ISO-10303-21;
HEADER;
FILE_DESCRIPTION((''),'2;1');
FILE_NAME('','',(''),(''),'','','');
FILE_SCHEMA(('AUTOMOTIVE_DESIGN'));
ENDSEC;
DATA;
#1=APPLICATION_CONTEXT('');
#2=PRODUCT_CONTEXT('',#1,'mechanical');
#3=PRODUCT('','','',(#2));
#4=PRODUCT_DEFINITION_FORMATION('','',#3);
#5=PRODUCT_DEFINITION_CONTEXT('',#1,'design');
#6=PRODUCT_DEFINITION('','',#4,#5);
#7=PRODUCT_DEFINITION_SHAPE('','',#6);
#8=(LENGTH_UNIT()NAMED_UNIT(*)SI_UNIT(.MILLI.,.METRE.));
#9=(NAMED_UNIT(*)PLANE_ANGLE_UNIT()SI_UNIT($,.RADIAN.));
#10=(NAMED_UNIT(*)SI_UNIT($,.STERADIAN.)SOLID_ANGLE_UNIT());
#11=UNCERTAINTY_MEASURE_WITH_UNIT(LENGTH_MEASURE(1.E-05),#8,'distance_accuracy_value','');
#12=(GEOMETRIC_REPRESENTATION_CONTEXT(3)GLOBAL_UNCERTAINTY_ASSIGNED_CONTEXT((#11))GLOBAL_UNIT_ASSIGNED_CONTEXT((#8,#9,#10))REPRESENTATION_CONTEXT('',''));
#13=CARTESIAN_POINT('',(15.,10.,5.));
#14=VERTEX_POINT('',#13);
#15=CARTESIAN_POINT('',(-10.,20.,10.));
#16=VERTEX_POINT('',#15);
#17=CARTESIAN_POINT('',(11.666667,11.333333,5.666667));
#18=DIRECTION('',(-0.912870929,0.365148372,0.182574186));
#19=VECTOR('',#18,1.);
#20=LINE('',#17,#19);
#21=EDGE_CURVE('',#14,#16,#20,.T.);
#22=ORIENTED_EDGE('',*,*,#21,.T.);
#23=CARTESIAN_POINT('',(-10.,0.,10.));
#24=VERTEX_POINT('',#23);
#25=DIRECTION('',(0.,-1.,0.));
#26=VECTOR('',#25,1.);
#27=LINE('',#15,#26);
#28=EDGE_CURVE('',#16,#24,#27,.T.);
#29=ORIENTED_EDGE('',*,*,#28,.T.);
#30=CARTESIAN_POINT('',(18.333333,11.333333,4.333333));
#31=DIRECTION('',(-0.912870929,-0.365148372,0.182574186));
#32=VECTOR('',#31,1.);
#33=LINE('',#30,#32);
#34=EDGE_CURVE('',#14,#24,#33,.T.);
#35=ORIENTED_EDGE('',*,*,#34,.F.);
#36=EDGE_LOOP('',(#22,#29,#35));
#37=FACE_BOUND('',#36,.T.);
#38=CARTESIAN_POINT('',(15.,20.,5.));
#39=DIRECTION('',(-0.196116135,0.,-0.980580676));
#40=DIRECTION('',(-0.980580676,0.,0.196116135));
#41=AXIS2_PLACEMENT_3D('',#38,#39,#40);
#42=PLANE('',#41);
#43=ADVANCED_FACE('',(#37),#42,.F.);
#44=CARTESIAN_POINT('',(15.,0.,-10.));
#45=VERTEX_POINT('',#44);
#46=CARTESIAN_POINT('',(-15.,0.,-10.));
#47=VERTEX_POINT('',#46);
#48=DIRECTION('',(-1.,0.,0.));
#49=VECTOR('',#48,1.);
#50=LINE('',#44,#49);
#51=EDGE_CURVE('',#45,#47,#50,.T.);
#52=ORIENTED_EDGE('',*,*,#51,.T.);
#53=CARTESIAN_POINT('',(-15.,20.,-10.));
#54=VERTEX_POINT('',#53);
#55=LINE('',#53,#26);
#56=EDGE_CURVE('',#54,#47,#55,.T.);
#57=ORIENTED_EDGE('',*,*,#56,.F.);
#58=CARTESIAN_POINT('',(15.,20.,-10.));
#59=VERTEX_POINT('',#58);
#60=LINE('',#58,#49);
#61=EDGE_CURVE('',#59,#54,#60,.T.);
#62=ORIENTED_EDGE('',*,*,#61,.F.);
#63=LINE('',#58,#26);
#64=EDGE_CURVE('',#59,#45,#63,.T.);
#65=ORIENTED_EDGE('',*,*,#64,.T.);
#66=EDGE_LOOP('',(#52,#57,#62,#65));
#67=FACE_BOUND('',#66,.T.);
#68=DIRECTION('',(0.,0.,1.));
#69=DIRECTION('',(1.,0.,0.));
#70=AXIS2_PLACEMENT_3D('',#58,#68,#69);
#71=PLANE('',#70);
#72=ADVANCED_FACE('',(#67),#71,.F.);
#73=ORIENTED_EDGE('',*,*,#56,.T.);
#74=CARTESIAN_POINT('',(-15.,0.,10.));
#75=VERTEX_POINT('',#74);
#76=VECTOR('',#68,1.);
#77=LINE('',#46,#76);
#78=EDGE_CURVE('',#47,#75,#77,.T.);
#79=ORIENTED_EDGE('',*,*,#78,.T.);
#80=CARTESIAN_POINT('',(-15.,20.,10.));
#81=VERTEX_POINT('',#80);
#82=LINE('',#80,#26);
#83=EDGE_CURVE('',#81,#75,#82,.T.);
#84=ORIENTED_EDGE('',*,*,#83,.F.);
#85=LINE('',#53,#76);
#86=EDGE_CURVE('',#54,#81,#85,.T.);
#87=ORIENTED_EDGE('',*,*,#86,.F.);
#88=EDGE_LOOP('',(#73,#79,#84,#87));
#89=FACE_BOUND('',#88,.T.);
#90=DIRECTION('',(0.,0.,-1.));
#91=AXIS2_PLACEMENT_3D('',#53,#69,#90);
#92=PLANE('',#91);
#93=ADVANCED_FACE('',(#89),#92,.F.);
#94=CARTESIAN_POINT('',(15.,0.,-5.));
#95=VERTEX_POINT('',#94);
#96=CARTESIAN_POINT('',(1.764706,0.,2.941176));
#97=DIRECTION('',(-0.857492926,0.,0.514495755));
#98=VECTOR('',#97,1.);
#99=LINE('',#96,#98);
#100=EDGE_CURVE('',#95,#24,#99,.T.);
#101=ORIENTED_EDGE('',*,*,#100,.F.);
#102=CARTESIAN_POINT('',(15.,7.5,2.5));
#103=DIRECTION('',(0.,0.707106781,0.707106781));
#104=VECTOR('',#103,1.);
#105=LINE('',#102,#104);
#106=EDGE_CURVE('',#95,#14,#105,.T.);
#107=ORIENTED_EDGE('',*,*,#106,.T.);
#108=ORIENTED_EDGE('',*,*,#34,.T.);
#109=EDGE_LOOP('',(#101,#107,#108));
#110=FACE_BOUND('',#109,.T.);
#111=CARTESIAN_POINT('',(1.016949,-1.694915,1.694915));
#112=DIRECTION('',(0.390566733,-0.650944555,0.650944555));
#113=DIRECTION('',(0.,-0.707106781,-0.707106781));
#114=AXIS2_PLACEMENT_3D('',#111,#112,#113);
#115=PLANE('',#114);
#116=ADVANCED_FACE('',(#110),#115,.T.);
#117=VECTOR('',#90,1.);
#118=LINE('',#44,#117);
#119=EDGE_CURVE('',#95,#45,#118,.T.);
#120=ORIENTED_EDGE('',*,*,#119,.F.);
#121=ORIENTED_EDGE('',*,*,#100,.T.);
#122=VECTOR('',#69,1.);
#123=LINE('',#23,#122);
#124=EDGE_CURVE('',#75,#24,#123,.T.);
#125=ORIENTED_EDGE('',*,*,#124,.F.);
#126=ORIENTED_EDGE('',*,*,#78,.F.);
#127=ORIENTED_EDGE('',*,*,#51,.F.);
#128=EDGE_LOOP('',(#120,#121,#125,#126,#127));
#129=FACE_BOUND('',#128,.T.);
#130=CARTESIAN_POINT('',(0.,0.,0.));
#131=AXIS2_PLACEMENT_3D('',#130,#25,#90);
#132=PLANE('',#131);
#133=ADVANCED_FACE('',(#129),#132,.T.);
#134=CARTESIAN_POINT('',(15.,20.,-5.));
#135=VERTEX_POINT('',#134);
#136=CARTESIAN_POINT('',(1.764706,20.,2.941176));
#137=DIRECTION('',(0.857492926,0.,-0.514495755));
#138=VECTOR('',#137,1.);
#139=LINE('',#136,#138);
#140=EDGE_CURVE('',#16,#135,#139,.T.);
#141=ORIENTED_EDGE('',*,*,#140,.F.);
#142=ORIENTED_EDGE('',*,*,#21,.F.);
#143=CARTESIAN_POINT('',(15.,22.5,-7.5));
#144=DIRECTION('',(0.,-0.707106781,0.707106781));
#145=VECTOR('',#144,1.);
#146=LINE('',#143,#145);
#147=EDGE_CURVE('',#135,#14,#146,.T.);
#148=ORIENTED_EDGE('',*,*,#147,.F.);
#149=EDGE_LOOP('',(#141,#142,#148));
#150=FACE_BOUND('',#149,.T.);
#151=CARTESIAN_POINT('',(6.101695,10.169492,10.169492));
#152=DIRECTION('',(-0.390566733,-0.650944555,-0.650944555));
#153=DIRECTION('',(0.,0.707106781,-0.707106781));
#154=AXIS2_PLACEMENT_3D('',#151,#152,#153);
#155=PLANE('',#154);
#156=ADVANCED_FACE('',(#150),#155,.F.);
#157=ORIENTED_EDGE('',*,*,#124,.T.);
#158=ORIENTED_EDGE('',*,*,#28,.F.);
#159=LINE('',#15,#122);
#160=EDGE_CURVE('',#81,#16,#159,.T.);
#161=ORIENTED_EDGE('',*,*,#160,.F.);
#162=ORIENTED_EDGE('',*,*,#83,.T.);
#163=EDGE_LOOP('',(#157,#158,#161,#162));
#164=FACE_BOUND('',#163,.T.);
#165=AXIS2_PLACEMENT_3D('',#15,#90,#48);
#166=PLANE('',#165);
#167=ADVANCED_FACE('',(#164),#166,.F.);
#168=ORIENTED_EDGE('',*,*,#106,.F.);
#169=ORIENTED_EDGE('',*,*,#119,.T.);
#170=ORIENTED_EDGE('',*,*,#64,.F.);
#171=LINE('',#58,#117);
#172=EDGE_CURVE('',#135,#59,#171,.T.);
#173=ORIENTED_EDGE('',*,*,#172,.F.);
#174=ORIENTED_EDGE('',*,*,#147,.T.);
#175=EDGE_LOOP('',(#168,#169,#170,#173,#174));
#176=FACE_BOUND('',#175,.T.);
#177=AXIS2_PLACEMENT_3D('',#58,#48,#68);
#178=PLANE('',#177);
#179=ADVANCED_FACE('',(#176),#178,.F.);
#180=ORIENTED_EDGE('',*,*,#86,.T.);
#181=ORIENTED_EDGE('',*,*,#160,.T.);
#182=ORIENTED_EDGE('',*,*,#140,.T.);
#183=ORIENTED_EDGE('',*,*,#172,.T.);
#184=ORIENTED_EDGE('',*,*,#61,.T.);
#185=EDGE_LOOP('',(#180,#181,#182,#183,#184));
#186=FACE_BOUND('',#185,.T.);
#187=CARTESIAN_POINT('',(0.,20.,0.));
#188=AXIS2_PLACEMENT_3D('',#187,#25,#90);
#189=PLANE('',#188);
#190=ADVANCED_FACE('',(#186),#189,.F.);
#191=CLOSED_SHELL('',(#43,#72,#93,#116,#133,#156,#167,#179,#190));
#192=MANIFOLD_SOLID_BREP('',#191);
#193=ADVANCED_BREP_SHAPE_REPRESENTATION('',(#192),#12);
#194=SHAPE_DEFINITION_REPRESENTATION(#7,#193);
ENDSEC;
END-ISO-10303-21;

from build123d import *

# Parameters (mm, degrees)
EXTRUDE_1_DEPTH     = 20
SKETCH_4_W          = 39.68109217
SKETCH_4_H          = 19.592945183
CUT_EXTRUDE_1_DEPTH = 20
SKETCH_7_W          = 132.193091595
SKETCH_7_H          = 30.201739996
CUT_EXTRUDE_2_DEPTH = 20


with BuildPart() as part:
    # 草圖1 → 填料-伸長1 (new body)
    with BuildSketch(Plane(origin=(0, 0, 0), x_dir=(1, 0, 0), z_dir=(0, 1, 0))):
        Polygon((15, -5), (-10, -10), (-15, -10), (-15, 10), (15, 10), align=None)
    extrude(amount=EXTRUDE_1_DEPTH)

    # 草圖4 → 除料-伸長1 (cut)
    with BuildSketch(Plane(origin=(6.101694915, 10.169491525, 10.169491525), x_dir=(0.920574618, -0.276172385, -0.276172385), z_dir=(0.390566733, 0.650944555, 0.650944555))):
        with Locations((1.579314275, 10.72678571)):
            Rectangle(SKETCH_4_W, SKETCH_4_H)
    extrude(amount=CUT_EXTRUDE_1_DEPTH, mode=Mode.SUBTRACT)

    # 草圖7 → 除料-伸長2 (cut)
    with BuildSketch(Plane(origin=(1.016949153, -1.694915254, 1.694915254), x_dir=(-0.920574618, -0.276172385, 0.276172385), z_dir=(-0.390566733, 0.650944555, -0.650944555))):
        with Locations((9.754035329, 10.9182289)):
            Rectangle(SKETCH_7_W, SKETCH_7_H)
    extrude(amount=-CUT_EXTRUDE_2_DEPTH, mode=Mode.SUBTRACT)


solid = part.part
